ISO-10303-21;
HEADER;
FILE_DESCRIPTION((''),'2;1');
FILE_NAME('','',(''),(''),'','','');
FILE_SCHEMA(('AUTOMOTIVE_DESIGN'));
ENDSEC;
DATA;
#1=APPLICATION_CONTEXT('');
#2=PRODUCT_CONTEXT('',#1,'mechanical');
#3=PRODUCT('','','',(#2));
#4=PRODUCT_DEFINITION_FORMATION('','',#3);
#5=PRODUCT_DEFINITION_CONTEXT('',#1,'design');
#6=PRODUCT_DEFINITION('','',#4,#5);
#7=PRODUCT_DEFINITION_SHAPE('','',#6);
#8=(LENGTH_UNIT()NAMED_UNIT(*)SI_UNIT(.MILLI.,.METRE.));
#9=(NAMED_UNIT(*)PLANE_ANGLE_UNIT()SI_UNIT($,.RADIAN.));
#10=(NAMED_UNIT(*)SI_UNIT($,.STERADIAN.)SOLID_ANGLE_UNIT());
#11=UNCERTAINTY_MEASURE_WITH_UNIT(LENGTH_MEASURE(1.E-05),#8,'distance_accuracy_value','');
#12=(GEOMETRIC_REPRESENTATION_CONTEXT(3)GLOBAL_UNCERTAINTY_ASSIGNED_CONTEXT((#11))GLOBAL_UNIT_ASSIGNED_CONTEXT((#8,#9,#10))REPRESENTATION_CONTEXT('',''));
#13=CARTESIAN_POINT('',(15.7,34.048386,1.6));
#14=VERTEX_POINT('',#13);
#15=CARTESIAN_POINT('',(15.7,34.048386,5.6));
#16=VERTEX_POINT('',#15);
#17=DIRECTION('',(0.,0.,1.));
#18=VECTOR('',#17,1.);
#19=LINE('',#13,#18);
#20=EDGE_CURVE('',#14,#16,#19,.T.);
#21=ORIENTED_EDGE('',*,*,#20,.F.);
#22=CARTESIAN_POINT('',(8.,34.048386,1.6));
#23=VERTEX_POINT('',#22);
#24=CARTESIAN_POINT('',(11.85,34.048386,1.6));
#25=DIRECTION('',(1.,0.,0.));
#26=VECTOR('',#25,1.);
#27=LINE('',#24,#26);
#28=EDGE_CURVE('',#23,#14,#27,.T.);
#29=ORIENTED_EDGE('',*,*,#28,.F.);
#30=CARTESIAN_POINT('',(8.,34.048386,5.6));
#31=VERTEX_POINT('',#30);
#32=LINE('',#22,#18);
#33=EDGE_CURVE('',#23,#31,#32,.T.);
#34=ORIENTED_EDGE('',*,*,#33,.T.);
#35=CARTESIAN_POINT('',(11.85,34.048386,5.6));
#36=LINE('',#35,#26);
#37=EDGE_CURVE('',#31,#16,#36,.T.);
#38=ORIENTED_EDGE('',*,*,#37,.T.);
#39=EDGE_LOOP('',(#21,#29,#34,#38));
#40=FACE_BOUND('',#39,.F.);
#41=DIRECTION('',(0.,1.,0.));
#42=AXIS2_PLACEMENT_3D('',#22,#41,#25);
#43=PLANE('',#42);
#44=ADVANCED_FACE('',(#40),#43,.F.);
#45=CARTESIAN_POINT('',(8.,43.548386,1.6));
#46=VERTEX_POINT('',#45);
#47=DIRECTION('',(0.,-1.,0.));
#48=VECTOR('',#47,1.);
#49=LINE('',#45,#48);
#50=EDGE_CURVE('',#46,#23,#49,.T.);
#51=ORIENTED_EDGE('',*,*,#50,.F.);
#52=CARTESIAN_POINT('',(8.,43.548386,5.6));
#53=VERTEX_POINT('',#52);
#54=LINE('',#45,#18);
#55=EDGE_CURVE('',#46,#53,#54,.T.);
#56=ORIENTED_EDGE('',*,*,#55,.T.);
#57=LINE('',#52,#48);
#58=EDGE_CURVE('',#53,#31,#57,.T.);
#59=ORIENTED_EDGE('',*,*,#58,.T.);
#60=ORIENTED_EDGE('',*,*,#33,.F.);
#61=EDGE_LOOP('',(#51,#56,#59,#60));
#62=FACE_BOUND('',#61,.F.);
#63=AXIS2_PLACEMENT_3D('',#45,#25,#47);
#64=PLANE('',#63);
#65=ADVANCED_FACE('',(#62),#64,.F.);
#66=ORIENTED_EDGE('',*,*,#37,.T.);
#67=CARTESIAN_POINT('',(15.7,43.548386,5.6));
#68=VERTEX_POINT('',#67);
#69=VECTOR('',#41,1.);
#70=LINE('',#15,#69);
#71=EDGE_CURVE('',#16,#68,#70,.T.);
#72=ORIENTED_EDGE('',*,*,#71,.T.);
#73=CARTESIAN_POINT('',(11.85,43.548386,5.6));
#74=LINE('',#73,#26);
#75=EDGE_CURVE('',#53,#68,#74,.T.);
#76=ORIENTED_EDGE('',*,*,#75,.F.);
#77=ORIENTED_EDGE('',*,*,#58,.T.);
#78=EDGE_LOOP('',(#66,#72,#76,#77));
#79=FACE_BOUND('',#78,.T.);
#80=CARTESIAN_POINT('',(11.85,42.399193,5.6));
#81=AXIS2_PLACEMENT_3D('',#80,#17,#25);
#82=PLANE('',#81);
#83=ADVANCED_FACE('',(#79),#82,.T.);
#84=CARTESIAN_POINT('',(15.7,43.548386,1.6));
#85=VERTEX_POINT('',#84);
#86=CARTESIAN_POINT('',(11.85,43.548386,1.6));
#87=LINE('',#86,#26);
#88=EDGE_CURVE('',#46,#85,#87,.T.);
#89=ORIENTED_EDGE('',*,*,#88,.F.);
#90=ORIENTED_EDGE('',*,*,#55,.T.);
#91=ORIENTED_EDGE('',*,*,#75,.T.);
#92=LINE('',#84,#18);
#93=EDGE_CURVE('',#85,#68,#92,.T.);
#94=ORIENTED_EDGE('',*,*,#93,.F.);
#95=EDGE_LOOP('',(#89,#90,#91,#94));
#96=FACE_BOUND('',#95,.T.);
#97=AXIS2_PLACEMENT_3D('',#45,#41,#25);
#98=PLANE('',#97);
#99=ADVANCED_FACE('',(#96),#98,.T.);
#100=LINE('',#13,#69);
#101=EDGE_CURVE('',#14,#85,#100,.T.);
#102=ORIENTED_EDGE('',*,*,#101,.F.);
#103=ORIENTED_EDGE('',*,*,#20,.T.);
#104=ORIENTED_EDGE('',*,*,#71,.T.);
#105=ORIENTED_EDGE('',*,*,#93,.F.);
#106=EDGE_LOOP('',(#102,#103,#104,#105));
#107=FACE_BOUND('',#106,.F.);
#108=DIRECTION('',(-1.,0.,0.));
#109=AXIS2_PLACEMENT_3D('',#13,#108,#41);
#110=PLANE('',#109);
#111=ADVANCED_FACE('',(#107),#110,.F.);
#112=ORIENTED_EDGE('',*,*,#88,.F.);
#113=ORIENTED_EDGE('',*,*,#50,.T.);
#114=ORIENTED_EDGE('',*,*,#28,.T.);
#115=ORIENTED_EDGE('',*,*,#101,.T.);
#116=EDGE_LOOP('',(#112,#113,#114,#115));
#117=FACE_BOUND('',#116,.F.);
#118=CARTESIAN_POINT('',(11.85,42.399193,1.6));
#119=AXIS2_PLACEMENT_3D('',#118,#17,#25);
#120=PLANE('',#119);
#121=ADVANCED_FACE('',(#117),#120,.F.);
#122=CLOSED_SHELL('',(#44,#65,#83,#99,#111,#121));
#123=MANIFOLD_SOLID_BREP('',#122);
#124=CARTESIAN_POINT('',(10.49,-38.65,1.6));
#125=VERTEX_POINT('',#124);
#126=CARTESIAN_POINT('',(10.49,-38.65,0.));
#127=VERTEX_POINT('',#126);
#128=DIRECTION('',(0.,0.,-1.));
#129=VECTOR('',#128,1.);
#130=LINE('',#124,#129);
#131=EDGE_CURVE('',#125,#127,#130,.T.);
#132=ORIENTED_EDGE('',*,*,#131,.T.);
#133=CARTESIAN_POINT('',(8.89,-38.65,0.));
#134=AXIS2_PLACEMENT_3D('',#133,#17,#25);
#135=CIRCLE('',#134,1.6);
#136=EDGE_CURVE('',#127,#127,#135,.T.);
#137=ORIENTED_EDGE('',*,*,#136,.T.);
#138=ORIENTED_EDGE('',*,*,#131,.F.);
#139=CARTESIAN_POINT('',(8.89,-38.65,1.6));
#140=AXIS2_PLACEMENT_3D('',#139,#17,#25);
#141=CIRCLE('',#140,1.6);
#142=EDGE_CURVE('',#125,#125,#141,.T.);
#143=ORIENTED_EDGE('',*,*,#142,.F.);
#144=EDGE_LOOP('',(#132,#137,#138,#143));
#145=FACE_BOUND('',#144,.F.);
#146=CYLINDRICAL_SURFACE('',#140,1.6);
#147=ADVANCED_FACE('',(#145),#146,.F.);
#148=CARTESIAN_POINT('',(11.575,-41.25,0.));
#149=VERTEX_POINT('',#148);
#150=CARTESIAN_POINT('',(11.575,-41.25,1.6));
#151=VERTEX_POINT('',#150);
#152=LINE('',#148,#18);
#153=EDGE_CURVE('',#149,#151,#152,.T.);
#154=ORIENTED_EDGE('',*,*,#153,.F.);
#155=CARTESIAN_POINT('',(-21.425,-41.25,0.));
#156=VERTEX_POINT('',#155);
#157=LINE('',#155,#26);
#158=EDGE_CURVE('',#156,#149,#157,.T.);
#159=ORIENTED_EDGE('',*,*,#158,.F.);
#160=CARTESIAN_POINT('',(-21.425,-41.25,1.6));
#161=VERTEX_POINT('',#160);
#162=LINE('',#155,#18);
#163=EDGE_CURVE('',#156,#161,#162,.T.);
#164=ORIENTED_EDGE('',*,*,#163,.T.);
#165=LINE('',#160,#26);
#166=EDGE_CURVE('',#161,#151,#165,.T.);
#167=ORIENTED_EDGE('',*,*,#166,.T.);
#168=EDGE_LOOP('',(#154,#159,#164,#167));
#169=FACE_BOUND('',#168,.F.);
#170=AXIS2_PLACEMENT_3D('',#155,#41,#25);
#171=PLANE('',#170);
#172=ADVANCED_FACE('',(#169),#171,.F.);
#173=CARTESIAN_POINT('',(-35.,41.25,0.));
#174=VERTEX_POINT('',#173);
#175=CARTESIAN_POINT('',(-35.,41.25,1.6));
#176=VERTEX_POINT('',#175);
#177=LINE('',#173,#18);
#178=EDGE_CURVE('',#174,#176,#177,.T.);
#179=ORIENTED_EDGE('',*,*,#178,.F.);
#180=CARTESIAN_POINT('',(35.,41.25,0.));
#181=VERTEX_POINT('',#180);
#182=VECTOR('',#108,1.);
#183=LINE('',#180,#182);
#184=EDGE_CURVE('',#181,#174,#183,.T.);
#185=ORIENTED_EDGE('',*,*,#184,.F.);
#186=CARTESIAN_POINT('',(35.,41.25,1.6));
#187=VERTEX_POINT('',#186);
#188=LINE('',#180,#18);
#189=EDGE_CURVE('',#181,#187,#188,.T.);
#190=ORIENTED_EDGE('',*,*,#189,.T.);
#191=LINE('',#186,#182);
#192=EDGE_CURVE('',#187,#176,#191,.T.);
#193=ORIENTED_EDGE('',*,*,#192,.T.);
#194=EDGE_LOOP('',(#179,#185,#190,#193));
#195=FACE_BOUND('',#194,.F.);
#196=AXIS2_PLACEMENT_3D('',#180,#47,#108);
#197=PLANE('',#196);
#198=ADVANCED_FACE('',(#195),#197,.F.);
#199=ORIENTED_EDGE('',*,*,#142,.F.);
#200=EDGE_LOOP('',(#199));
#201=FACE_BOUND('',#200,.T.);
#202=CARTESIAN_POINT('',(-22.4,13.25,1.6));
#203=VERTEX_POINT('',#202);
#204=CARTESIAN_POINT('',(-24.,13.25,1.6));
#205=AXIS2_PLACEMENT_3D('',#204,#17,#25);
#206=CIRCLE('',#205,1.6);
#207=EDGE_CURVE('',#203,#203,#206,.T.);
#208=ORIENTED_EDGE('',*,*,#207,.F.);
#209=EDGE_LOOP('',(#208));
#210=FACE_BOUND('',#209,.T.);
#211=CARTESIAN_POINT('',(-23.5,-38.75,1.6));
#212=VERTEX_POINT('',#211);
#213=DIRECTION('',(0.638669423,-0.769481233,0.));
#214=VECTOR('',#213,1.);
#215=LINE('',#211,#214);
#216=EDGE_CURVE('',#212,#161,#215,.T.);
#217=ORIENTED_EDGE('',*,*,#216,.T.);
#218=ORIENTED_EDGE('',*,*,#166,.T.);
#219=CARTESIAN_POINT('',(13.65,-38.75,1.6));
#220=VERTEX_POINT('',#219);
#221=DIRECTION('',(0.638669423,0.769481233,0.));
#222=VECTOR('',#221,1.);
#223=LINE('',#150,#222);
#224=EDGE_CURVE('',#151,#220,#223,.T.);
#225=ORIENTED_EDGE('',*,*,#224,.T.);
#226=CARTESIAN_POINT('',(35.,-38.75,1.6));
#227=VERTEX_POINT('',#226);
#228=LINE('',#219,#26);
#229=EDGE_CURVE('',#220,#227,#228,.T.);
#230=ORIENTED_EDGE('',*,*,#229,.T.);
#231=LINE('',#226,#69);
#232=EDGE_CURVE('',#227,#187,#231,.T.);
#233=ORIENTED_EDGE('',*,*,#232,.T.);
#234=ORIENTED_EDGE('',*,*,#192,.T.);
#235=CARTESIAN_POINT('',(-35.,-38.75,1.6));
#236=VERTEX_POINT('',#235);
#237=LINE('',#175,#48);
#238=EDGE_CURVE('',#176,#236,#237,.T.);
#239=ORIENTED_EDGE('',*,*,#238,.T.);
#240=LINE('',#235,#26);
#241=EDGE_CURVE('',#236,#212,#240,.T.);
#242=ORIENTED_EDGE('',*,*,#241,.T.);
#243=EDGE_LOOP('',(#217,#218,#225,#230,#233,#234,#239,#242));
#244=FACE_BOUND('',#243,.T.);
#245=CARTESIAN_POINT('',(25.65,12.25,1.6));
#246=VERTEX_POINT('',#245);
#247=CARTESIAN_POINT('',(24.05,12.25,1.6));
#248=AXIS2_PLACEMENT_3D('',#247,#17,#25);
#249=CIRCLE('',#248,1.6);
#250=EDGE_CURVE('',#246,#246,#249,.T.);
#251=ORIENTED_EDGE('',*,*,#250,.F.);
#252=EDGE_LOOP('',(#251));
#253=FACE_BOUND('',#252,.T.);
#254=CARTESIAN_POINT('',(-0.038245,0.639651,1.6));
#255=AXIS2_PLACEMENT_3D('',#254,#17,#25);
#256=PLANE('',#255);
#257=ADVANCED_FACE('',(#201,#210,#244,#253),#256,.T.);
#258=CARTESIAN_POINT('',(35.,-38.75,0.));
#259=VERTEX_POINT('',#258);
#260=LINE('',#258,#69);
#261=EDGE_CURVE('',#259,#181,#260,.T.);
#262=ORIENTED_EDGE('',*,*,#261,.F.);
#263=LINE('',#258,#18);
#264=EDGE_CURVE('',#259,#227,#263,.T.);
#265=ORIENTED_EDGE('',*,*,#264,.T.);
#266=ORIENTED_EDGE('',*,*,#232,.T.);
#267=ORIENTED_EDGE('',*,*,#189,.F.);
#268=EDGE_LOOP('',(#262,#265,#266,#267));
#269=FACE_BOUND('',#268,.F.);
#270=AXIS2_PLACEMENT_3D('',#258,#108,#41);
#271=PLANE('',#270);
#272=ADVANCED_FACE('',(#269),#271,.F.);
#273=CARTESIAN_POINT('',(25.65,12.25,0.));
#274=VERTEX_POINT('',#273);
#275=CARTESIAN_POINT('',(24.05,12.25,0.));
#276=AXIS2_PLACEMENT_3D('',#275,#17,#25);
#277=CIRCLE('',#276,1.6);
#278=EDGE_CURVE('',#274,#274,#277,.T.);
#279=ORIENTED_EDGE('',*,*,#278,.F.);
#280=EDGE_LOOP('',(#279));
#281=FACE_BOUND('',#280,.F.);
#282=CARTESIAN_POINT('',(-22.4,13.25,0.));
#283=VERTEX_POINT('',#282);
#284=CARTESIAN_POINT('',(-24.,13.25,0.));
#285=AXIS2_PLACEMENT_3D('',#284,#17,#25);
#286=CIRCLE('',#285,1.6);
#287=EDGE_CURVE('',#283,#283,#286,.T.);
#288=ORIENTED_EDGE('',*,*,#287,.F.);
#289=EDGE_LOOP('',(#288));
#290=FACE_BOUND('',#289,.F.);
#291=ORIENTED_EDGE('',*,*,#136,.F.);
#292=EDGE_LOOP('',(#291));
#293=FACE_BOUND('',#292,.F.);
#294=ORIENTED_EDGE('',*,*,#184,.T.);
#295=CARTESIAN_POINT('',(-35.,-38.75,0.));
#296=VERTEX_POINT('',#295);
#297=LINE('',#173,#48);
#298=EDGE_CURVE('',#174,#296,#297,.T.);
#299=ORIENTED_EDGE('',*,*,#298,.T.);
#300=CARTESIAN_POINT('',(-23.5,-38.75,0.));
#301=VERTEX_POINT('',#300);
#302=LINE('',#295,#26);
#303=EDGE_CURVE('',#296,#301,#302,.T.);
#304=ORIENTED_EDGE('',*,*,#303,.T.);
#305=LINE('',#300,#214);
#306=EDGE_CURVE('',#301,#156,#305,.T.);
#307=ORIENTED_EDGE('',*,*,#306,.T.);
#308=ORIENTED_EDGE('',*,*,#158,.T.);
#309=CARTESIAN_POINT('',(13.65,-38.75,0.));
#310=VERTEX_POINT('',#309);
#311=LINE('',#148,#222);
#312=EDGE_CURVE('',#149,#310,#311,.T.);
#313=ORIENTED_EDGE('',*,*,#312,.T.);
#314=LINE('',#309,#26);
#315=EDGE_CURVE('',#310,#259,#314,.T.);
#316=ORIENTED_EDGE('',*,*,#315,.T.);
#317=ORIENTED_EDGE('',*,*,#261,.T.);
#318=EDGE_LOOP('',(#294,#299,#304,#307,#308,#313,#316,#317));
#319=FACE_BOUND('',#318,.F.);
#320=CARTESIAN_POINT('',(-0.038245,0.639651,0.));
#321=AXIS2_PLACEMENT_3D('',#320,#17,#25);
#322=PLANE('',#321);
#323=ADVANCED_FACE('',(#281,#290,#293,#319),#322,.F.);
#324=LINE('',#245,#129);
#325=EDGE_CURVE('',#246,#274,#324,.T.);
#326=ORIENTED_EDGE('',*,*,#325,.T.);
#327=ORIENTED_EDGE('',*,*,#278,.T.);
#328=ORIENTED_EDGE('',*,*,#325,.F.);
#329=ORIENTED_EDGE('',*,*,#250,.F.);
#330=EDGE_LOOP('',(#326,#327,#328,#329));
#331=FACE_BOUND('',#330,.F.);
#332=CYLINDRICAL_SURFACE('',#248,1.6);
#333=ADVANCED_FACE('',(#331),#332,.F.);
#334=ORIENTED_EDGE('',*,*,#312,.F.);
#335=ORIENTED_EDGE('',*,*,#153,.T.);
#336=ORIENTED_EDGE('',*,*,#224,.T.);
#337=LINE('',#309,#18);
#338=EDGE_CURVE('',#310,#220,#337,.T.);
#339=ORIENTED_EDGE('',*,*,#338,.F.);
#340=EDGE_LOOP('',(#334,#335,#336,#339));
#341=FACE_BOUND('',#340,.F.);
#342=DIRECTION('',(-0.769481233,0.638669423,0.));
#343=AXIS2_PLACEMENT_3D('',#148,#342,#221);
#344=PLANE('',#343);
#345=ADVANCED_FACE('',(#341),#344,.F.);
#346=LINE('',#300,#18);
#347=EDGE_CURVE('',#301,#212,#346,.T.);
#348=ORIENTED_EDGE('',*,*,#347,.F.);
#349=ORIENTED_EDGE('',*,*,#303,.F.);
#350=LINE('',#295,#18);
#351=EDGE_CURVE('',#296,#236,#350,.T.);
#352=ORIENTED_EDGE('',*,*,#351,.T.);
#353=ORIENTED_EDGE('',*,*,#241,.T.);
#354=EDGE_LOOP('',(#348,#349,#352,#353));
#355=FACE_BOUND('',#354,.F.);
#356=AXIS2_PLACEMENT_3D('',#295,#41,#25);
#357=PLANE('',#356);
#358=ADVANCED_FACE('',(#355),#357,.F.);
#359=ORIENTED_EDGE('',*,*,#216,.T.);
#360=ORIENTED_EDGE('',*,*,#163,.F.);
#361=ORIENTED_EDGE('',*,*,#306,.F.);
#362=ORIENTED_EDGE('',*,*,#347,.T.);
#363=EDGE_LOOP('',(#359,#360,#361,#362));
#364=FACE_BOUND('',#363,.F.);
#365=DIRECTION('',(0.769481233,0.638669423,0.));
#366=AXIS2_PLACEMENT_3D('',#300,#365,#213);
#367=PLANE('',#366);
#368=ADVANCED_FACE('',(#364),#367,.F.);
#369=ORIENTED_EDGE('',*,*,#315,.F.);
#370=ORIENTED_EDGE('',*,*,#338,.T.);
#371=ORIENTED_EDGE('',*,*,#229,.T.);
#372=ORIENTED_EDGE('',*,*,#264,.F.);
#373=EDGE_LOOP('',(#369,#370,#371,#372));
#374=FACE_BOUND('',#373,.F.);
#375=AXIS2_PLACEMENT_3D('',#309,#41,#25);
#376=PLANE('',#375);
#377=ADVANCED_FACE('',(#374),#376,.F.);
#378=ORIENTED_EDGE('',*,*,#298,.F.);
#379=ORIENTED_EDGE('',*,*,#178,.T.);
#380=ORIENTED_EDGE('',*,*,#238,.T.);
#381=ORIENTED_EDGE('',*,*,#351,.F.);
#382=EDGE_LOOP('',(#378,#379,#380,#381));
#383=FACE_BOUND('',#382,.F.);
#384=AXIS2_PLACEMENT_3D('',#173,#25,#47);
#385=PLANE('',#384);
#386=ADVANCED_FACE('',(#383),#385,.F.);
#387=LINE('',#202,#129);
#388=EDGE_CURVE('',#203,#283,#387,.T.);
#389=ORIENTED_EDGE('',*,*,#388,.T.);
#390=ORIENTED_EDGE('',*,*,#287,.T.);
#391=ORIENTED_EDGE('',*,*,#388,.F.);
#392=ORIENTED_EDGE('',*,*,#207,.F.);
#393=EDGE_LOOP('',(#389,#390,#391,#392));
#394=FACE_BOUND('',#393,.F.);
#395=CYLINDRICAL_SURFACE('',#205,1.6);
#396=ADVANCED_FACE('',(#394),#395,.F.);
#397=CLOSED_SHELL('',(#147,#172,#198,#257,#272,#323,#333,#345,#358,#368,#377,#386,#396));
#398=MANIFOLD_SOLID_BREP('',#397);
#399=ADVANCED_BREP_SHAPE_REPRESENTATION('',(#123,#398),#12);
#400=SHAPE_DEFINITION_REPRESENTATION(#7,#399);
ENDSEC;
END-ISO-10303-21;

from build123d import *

# Parameters (mm, degrees)
F1_DEPTH = 1.6
F2_R     = 1.6
F3_DEPTH = 1.6
F4_W     = 7.7
F4_H     = 2.298387
F4_H_2   = 7.201613
F5_DEPTH = 4


with BuildPart() as f1:
    # F0 (on Top) → F1 (new body)
    with BuildSketch(Plane.XY):
        Polygon((35, 41.25), (-35, 41.25), (-35, -38.75), (-23.5, -38.75), (-21.425, -41.25), (11.575, -41.25), (13.65, -38.75), (35, -38.75), align=None)
    extrude(amount=F1_DEPTH)

    # F2 (on face) → F3 (cut, through all)
    with BuildSketch(Plane.XY.offset(1.6)):
        with Locations((-24, 13.25)):
            Circle(F2_R)
        with Locations((24.05, 12.25)):
            Circle(F2_R)
        with Locations((8.89, -38.65)):
            Circle(F2_R)
    extrude(amount=-F3_DEPTH, mode=Mode.SUBTRACT)


with BuildPart() as f5:
    # F4 (on face) → F5 (new body)
    with BuildSketch(Plane.XY.offset(1.6)):
        with Locations((11.85, 42.399193)):
            Rectangle(F4_W, F4_H)
        with Locations((11.85, 37.649193)):
            Rectangle(F4_W, F4_H_2)
    extrude(amount=F5_DEPTH)


solid = Compound([f1.part, f5.part])
